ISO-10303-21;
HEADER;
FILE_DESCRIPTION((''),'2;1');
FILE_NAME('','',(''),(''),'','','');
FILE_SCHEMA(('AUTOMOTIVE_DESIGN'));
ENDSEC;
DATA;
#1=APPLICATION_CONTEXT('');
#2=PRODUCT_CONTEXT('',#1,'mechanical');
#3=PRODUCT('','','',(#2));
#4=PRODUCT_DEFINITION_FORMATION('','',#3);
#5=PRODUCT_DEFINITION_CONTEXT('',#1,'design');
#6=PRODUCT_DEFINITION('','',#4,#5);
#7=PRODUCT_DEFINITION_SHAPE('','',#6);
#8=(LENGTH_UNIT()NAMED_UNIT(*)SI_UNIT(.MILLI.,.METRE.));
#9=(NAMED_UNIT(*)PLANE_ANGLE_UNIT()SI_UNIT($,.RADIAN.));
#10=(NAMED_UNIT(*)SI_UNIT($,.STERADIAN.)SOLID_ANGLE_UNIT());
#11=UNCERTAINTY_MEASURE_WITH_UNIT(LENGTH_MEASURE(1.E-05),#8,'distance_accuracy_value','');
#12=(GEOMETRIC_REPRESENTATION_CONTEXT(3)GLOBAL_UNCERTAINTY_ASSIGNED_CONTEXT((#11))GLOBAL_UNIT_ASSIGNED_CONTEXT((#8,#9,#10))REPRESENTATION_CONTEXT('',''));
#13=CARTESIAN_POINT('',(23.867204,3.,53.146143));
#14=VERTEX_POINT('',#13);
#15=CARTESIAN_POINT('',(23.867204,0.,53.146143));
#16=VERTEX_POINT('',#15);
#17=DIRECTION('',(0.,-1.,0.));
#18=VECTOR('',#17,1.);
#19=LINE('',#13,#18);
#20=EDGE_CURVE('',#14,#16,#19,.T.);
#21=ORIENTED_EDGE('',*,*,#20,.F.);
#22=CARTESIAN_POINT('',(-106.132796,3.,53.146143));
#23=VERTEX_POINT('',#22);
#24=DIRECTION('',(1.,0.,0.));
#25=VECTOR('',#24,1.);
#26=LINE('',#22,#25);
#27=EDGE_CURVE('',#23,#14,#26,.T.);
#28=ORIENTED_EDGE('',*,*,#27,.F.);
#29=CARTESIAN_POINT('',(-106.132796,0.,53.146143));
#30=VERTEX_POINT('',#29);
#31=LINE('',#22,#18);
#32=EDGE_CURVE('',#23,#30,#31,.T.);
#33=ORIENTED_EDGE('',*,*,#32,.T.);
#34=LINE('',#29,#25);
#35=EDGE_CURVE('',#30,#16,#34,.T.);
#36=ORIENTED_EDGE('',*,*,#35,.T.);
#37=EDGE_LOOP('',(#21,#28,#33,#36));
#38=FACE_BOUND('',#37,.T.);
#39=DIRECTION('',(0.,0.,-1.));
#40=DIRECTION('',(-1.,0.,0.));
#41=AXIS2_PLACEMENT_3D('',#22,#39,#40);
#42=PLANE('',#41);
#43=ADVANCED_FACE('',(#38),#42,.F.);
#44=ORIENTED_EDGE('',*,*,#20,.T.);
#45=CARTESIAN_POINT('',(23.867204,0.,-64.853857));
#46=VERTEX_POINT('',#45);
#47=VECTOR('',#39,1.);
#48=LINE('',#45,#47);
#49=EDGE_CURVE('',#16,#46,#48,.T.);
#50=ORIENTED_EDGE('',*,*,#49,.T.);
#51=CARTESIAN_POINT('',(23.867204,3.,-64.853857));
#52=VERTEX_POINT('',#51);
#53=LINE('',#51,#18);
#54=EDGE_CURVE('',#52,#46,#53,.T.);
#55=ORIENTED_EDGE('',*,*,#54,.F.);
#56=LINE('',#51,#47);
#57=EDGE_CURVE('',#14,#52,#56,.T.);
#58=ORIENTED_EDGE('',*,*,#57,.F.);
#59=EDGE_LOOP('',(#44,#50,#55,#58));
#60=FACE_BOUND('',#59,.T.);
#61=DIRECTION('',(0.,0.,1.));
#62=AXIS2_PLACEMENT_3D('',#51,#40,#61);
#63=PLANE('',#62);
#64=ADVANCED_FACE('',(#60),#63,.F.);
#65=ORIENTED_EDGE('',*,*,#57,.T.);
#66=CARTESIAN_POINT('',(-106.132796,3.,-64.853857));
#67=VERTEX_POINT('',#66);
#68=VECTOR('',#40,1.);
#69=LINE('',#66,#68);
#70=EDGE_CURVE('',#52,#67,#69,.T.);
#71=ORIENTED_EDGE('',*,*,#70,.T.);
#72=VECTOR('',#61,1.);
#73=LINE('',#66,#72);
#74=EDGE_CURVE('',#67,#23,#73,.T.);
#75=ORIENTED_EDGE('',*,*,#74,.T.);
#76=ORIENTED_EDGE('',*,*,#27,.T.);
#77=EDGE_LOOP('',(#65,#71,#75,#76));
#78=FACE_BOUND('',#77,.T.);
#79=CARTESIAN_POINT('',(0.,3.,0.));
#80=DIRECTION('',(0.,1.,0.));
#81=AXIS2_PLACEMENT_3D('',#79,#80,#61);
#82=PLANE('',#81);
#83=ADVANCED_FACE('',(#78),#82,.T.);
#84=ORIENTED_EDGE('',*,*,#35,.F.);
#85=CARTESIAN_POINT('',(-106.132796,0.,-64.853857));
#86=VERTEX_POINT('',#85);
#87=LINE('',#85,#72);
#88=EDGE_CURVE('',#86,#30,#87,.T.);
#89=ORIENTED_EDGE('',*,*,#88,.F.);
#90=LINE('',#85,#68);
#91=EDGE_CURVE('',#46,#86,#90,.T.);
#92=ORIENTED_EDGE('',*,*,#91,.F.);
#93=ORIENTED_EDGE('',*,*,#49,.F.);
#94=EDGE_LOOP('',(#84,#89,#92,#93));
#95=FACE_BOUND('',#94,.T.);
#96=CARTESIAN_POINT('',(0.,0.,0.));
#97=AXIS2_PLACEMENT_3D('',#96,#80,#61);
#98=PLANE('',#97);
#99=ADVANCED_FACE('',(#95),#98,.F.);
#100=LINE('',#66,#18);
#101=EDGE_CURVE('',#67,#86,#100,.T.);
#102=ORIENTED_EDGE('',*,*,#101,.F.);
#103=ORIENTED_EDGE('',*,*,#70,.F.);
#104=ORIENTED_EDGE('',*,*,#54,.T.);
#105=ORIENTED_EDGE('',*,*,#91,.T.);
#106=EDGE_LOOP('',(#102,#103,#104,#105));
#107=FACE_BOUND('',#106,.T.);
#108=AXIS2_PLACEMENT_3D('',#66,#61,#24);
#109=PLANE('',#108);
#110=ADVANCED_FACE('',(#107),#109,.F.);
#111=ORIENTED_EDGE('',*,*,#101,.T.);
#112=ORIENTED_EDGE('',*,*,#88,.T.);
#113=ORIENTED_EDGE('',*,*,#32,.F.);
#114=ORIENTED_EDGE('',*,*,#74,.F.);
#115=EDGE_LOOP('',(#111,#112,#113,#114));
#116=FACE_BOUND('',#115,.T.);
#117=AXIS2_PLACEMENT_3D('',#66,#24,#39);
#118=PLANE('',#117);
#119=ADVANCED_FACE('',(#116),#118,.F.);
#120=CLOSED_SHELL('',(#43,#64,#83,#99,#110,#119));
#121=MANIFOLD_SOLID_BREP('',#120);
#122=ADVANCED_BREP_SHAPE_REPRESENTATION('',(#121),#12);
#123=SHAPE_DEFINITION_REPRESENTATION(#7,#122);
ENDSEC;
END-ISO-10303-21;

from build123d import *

# Parameters (mm, degrees)
SKETCH1_W           = 130
SKETCH1_H           = 118
BOSS_EXTRUDE2_DEPTH = 3


with BuildPart() as part:
    # Sketch1 → Boss-Extrude2 (new body)
    with BuildSketch(Plane(origin=(0, 0, 0), x_dir=(1, 0, 0), z_dir=(0, 1, 0))):
        with Locations((-41.132795848, 5.853856836)):
            Rectangle(SKETCH1_W, SKETCH1_H)
    extrude(amount=BOSS_EXTRUDE2_DEPTH)


solid = part.part
